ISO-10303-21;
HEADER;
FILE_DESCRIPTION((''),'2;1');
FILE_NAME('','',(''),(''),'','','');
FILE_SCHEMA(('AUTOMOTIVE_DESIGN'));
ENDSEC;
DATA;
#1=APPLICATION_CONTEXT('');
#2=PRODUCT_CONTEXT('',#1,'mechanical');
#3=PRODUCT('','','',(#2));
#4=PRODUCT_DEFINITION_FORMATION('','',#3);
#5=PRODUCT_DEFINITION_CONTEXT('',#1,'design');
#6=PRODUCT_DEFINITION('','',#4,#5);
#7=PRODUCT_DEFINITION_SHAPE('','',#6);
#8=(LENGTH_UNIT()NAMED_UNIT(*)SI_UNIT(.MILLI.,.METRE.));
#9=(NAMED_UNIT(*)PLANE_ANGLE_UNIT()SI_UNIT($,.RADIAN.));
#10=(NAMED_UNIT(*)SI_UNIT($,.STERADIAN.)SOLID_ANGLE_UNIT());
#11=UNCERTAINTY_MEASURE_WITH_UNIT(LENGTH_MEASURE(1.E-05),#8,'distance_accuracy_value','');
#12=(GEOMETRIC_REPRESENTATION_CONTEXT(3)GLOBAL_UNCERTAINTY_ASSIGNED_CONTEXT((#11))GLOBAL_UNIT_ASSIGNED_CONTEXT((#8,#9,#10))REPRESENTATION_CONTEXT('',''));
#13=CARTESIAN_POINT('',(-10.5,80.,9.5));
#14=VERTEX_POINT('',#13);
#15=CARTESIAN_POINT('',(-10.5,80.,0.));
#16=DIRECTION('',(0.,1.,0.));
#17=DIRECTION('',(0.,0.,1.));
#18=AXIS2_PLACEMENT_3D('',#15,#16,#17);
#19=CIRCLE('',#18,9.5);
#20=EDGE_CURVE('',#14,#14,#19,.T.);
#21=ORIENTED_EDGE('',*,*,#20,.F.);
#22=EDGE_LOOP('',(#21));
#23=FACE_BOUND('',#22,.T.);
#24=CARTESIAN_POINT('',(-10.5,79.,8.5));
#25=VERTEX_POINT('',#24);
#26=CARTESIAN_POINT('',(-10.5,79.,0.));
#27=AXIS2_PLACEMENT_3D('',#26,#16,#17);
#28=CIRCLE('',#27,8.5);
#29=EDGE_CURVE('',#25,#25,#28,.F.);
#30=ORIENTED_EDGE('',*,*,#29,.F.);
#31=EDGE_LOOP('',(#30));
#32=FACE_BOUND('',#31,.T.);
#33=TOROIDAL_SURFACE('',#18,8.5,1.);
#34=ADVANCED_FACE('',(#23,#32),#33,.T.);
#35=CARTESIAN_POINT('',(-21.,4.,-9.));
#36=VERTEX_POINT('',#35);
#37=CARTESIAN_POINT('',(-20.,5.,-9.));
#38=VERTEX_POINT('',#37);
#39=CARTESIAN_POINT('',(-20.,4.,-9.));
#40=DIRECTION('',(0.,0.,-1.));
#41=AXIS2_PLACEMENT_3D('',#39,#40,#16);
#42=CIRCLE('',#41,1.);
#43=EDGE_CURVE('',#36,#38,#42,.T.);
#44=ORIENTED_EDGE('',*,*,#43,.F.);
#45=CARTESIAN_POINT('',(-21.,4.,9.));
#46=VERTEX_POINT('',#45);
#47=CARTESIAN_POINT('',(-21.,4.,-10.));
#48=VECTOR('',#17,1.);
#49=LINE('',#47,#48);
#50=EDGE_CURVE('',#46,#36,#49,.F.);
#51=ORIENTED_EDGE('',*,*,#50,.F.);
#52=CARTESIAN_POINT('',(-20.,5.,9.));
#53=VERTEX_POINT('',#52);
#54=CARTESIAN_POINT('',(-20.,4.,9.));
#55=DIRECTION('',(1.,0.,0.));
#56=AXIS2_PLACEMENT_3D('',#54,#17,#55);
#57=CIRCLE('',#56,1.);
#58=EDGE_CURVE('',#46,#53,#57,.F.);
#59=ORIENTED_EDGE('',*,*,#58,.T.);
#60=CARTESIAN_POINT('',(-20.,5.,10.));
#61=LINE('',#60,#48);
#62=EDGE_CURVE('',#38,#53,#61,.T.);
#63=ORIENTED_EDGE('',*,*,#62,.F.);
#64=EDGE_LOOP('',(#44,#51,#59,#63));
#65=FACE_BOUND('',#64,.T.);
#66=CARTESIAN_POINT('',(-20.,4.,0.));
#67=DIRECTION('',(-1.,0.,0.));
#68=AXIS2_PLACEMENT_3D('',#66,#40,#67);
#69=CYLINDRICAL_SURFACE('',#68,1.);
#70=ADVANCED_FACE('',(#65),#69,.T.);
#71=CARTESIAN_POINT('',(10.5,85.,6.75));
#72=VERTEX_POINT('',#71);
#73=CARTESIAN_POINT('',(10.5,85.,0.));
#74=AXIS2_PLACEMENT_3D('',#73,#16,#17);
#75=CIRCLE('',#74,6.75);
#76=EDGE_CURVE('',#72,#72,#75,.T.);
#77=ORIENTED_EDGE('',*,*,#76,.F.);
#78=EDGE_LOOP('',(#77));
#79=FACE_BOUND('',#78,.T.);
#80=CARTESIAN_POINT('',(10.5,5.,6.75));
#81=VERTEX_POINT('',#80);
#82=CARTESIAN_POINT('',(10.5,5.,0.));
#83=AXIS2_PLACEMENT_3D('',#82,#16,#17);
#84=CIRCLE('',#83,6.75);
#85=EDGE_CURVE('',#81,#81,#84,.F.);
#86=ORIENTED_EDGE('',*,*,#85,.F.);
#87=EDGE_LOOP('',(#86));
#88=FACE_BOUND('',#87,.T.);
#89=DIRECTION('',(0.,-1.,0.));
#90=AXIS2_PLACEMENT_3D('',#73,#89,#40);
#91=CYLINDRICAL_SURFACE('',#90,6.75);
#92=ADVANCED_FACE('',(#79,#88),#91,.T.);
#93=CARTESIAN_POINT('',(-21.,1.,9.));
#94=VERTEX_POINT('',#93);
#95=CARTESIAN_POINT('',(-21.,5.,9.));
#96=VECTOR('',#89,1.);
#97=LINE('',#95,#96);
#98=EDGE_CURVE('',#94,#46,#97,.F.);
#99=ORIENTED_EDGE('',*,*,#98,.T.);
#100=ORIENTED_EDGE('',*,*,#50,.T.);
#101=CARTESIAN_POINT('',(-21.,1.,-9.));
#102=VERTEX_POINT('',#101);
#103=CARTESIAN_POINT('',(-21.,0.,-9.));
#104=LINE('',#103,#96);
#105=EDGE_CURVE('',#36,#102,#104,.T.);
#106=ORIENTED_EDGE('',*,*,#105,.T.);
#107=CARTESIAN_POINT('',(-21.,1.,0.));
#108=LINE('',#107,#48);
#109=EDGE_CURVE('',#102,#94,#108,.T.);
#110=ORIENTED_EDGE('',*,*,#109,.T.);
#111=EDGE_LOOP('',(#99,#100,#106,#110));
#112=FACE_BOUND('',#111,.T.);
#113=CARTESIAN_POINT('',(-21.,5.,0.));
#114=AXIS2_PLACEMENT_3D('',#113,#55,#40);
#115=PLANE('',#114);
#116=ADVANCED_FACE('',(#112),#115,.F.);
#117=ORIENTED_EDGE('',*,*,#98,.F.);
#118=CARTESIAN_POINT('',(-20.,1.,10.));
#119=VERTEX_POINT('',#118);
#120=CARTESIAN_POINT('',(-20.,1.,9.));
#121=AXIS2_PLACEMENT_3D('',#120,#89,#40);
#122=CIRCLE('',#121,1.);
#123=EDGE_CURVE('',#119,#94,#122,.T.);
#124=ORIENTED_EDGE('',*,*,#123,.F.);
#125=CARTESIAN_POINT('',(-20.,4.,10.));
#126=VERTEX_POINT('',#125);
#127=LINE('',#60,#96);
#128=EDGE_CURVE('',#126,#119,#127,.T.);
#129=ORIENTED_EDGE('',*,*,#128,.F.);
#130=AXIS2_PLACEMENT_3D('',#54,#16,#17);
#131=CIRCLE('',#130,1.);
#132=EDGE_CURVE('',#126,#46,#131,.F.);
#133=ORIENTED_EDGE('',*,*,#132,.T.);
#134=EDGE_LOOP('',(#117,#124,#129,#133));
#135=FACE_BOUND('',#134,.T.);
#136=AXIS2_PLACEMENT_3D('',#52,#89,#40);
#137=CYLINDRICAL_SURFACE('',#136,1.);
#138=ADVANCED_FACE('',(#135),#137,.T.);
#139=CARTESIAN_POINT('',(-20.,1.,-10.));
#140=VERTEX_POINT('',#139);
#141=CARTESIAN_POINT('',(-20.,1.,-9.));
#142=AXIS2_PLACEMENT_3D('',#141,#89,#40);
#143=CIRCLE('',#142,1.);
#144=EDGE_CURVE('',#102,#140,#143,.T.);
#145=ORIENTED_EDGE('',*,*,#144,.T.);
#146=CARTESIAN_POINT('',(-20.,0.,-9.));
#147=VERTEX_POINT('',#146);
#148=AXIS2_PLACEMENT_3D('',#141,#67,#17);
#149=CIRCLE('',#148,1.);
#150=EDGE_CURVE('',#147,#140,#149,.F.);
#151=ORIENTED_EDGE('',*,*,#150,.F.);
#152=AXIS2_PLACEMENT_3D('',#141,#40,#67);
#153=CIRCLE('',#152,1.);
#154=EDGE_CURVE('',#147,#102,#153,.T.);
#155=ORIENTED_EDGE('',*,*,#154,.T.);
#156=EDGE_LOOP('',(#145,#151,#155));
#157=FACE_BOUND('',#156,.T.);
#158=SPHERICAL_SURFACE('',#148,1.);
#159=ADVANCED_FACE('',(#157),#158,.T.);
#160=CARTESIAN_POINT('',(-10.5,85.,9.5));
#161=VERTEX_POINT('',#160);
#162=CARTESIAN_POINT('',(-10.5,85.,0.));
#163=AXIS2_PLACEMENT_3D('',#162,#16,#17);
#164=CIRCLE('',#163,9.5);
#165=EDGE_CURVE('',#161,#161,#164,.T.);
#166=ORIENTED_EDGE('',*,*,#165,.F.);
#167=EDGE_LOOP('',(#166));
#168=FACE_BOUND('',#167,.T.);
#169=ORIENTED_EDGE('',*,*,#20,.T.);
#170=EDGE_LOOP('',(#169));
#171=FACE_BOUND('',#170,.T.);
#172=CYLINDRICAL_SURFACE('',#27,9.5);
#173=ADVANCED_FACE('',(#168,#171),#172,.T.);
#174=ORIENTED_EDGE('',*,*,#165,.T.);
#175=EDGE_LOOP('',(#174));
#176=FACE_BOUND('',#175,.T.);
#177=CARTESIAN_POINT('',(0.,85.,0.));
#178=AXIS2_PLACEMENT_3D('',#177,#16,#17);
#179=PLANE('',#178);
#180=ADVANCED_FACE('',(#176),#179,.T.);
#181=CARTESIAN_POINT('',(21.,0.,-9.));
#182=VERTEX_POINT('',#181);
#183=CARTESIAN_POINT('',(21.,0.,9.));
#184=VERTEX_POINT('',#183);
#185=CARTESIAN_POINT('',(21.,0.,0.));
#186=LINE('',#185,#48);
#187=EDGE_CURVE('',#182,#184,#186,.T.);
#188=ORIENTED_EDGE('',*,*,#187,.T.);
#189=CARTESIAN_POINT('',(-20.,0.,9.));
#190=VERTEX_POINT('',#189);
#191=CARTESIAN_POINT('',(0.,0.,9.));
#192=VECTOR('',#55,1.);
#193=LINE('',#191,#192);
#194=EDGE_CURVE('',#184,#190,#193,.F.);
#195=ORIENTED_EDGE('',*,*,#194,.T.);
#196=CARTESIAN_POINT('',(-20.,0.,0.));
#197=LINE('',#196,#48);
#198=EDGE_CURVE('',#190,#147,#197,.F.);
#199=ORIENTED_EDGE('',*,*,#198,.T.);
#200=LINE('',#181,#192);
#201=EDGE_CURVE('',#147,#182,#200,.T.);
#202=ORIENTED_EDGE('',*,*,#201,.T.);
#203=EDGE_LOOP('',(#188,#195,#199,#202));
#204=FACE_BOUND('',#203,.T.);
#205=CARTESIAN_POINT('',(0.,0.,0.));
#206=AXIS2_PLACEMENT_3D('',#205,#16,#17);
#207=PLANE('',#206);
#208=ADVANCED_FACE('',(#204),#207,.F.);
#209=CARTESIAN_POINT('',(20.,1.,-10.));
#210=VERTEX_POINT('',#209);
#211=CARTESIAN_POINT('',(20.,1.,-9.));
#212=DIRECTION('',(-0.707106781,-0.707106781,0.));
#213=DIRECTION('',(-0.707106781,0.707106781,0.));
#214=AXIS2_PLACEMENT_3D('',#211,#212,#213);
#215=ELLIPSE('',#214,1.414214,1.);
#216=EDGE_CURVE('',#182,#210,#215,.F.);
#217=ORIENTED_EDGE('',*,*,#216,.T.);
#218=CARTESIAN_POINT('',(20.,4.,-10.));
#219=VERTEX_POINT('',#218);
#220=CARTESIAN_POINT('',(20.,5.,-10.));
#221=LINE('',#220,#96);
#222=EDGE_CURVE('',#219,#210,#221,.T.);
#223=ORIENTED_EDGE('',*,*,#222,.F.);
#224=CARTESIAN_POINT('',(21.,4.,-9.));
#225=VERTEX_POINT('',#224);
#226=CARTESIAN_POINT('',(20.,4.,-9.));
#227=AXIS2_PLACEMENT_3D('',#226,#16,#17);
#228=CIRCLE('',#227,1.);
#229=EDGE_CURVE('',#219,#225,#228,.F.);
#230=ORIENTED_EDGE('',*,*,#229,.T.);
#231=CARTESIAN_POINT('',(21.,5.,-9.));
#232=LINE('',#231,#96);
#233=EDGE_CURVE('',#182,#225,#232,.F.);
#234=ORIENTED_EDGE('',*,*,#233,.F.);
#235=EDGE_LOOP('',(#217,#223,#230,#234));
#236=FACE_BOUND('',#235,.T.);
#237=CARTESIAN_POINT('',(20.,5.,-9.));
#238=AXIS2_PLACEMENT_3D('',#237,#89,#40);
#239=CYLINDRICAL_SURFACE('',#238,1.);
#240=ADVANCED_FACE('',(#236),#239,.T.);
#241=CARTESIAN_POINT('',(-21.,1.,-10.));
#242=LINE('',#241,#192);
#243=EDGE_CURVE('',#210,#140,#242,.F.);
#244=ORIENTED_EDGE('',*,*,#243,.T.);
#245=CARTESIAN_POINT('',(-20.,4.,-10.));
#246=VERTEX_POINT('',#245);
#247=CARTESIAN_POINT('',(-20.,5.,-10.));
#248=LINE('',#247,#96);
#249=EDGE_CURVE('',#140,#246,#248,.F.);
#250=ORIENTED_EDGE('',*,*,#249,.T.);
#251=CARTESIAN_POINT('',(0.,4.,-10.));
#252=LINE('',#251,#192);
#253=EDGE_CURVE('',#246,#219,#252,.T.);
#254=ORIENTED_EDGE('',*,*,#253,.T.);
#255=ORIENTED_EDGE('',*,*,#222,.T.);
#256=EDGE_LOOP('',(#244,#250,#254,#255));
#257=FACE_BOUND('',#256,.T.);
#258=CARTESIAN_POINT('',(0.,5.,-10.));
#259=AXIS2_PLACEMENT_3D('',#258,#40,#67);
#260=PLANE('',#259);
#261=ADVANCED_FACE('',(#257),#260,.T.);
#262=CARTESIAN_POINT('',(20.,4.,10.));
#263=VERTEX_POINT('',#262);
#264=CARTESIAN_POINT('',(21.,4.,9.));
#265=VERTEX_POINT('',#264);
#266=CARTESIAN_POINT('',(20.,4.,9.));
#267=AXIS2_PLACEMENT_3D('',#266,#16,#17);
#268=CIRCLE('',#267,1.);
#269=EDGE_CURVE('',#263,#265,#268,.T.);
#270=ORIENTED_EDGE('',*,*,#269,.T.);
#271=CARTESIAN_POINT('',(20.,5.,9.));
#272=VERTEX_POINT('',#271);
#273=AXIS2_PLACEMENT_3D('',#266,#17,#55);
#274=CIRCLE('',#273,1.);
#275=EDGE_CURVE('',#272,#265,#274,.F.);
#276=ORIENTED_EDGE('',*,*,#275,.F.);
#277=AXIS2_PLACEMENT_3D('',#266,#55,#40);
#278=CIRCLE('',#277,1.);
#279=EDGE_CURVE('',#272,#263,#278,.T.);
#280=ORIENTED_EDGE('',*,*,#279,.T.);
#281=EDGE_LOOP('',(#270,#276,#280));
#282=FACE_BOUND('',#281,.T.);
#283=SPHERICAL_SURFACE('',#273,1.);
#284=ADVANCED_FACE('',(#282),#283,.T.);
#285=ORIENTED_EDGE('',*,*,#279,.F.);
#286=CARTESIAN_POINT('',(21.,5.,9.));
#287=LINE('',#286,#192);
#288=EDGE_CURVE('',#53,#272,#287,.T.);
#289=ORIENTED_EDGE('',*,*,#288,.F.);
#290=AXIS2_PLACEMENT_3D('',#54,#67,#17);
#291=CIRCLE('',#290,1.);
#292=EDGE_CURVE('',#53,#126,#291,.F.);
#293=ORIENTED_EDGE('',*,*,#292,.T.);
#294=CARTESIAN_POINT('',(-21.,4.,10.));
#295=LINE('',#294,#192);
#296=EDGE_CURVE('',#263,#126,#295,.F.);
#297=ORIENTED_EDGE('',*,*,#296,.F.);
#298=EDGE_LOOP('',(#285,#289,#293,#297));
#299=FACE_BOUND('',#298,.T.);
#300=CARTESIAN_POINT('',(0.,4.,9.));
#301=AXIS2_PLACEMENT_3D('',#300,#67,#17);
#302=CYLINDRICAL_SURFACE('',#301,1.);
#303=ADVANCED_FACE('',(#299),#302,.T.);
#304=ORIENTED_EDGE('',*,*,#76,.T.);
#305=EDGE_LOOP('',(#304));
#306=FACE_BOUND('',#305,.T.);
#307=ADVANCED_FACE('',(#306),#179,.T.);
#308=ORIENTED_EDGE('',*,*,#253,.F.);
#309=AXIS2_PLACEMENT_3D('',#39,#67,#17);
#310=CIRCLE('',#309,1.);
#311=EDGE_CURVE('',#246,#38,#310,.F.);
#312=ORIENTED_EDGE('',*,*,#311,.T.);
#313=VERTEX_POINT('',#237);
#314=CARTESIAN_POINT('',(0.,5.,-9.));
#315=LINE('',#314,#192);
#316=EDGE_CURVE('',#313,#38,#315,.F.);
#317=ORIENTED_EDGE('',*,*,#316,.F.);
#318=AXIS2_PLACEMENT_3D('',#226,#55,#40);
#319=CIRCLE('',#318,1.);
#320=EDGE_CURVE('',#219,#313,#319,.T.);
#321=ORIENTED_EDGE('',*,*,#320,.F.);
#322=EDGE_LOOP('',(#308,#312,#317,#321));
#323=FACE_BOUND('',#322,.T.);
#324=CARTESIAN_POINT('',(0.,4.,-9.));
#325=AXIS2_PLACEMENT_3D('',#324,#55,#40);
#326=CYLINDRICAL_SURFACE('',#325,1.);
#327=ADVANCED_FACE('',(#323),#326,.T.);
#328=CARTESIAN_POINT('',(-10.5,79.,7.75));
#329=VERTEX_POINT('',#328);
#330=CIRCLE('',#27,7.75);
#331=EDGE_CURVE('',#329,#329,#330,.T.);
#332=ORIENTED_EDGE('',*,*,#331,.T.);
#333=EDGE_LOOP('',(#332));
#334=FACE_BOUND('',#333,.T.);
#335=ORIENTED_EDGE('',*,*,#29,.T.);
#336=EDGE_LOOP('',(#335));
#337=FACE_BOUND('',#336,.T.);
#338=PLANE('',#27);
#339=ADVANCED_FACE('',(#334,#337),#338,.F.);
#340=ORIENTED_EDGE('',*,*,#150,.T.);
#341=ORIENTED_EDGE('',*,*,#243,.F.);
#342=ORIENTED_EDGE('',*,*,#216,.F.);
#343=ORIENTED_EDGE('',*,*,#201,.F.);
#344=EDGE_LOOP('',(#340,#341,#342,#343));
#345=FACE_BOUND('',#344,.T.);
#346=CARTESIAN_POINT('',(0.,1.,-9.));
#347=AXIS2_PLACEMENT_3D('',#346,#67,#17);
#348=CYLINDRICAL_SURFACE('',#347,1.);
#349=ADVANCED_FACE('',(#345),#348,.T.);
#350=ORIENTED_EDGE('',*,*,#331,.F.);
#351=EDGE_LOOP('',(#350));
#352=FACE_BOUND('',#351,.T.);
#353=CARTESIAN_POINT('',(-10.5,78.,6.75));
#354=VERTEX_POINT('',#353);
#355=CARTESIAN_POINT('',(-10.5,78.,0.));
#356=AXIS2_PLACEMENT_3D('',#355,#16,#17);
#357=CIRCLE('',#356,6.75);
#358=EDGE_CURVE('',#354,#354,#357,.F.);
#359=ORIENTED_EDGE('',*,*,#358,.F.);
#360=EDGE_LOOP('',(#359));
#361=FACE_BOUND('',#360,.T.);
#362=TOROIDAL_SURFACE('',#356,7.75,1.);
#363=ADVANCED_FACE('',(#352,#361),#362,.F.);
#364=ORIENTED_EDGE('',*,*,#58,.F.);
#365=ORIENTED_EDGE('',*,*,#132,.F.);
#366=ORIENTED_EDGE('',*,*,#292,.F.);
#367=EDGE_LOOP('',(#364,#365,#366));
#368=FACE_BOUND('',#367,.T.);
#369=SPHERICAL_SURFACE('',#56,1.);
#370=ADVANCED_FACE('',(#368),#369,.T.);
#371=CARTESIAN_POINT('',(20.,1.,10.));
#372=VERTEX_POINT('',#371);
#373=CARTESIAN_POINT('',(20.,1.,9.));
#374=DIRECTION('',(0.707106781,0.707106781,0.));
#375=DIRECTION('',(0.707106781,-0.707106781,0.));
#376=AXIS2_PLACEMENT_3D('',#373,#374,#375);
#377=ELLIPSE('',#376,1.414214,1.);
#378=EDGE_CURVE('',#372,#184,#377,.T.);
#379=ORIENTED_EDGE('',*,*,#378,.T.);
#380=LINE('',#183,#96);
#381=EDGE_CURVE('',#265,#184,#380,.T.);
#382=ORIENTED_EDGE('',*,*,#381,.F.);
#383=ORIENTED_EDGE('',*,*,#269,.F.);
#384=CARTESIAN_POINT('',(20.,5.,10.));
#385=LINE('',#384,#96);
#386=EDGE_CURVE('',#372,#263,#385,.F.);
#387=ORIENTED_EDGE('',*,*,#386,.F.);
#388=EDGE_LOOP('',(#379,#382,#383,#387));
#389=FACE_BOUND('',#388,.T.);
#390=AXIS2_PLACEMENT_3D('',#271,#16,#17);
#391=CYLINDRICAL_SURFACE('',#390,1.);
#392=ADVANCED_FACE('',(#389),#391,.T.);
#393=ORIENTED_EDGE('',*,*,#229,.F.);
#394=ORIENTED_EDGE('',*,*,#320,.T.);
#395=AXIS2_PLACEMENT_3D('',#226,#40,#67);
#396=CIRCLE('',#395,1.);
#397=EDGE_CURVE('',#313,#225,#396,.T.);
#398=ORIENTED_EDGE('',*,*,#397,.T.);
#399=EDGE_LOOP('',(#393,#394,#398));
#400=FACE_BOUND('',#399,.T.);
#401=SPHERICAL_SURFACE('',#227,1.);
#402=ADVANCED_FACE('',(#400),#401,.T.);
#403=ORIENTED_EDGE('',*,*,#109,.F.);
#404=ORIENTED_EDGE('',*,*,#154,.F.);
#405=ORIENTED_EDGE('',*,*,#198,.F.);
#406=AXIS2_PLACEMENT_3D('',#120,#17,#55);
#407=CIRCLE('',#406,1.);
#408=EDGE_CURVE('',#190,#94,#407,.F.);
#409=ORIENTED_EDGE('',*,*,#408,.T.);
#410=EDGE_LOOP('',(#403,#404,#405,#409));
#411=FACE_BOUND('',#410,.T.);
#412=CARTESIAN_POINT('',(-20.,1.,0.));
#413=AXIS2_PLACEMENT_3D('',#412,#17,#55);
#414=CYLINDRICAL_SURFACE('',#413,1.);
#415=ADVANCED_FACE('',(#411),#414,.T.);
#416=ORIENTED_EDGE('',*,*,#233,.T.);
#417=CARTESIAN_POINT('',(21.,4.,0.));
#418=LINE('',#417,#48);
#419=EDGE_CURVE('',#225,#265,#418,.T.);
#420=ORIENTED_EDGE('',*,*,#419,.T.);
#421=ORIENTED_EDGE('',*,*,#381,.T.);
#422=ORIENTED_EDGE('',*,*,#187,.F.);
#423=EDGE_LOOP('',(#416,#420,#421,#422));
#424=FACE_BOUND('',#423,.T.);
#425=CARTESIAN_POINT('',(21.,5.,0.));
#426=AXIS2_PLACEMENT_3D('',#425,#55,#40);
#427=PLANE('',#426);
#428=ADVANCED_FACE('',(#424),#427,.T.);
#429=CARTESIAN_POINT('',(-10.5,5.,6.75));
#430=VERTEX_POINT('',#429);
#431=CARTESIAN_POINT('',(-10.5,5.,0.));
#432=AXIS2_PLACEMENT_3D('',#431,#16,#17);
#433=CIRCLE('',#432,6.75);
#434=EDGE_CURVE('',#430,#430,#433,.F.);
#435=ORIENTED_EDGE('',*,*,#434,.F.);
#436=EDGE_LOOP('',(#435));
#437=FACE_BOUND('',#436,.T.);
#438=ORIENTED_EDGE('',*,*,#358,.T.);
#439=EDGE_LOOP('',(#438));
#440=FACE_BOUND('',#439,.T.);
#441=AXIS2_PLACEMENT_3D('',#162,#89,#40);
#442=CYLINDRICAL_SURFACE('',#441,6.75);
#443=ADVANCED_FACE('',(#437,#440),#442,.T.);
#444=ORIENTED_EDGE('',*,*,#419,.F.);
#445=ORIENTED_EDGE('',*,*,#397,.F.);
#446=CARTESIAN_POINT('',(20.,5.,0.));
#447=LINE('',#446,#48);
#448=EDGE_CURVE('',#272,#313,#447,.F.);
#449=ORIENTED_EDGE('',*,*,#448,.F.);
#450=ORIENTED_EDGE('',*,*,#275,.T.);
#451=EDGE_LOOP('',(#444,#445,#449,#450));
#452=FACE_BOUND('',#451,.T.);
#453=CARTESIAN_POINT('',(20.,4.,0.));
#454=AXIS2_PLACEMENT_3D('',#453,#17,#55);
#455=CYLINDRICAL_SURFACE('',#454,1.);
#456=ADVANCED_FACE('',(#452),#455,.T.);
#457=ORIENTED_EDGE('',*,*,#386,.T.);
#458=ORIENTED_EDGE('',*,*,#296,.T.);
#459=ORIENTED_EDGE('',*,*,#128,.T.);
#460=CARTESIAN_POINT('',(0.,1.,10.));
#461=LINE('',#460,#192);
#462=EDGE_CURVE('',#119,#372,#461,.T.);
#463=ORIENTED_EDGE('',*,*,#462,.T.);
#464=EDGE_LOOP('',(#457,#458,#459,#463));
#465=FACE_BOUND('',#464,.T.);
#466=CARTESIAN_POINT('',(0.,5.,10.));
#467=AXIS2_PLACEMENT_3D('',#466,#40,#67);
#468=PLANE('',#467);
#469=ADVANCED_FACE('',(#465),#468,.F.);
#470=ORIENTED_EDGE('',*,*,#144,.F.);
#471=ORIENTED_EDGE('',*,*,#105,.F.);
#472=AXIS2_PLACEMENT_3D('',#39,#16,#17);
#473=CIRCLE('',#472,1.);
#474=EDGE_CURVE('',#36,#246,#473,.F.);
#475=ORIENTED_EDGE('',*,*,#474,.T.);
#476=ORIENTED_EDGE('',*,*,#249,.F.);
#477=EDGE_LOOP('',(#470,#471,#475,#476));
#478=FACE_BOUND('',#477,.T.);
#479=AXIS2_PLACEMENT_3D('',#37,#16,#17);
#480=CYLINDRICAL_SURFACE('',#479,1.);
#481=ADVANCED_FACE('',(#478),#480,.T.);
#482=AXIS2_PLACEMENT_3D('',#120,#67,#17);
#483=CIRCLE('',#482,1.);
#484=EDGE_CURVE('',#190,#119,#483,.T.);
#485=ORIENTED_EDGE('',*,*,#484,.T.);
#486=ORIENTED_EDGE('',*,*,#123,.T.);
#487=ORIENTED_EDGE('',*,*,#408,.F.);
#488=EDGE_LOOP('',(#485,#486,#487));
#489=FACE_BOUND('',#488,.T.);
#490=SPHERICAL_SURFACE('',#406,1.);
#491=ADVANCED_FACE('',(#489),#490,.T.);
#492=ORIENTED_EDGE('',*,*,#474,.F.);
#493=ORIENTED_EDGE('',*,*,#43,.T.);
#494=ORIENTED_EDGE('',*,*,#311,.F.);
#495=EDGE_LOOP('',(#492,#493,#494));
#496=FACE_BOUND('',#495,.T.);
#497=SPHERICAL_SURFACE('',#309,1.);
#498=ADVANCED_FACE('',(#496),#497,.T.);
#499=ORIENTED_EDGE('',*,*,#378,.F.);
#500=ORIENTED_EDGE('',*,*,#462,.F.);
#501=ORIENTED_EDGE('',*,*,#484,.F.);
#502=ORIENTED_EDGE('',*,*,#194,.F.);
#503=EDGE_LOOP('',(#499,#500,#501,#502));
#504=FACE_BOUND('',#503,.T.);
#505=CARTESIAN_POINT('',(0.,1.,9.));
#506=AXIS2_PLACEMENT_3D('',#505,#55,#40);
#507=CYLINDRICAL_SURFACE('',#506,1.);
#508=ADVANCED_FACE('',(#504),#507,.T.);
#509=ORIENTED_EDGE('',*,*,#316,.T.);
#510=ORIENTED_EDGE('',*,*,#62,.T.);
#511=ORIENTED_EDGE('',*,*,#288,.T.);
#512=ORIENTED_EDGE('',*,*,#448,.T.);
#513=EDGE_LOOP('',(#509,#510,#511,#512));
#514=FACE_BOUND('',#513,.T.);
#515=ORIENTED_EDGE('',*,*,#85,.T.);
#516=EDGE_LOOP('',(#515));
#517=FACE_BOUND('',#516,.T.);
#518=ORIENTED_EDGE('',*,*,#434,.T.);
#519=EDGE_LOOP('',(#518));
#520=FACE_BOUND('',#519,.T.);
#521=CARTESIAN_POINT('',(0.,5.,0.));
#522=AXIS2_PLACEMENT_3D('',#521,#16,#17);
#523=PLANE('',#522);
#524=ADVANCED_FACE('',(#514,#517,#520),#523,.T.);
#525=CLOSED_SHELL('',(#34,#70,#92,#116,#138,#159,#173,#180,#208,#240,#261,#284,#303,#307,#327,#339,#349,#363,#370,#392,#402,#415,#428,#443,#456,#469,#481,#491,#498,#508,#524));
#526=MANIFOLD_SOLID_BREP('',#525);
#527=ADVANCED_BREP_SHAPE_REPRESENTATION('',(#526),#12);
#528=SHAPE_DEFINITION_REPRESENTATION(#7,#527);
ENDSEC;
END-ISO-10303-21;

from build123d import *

# Parameters (mm, degrees)
SKETCH1_W           = 42
SKETCH1_H           = 20
BOSS_EXTRUDE1_DEPTH = 5
SKETCH1_3_R         = 6.75
BOSS_EXTRUDE2_DEPTH = 85
SKETCH2_R           = 9.5
BOSS_EXTRUDE3_DEPTH = 6
FILLET1_R           = 1


with BuildPart() as part:
    # Sketch1 → Boss-Extrude1 (new body)
    with BuildSketch(Plane(origin=(0, 0, 0), x_dir=(1, 0, 0), z_dir=(0, 1, 0))):
        Rectangle(SKETCH1_W, SKETCH1_H)
    extrude(amount=BOSS_EXTRUDE1_DEPTH)

    # Sketch1<3> → Boss-Extrude2 (add)
    with BuildSketch(Plane(origin=(0, 0, 0), x_dir=(1, 0, 0), z_dir=(0, 1, 0))):
        with Locations((-10.5, 0)):
            Circle(SKETCH1_3_R)
        with Locations((10.5, 0)):
            Circle(SKETCH1_3_R)
    extrude(amount=BOSS_EXTRUDE2_DEPTH)

    # Sketch2 → Boss-Extrude3 (add)
    with BuildSketch(Plane(origin=(0, 85, 0), x_dir=(1, 0, 0), z_dir=(0, 1, 0))):
        with Locations((-10.5, 0)):
            Circle(SKETCH2_R)
    extrude(amount=-BOSS_EXTRUDE3_DEPTH)

    # Fillet1
    fillet1_edges = [part.edges().sort_by_distance(p)[0] for p in [
        (21, 2.5, -10),
        (0, 0, -10),
        (21, 2.5, 10),
        (0, 0, 10),
        (0, 5, 10),
        (0, 5, -10),
        (21, 5, 0),
        (-21, 2.5, -10),
        (-21, 5, 0),
        (-21, 2.5, 10),
        (-21, 0, 0),
        (-20, 79, 0),
        (-17.25, 79, 0),
    ]]
    fillet(fillet1_edges, radius=FILLET1_R)


solid = part.part
